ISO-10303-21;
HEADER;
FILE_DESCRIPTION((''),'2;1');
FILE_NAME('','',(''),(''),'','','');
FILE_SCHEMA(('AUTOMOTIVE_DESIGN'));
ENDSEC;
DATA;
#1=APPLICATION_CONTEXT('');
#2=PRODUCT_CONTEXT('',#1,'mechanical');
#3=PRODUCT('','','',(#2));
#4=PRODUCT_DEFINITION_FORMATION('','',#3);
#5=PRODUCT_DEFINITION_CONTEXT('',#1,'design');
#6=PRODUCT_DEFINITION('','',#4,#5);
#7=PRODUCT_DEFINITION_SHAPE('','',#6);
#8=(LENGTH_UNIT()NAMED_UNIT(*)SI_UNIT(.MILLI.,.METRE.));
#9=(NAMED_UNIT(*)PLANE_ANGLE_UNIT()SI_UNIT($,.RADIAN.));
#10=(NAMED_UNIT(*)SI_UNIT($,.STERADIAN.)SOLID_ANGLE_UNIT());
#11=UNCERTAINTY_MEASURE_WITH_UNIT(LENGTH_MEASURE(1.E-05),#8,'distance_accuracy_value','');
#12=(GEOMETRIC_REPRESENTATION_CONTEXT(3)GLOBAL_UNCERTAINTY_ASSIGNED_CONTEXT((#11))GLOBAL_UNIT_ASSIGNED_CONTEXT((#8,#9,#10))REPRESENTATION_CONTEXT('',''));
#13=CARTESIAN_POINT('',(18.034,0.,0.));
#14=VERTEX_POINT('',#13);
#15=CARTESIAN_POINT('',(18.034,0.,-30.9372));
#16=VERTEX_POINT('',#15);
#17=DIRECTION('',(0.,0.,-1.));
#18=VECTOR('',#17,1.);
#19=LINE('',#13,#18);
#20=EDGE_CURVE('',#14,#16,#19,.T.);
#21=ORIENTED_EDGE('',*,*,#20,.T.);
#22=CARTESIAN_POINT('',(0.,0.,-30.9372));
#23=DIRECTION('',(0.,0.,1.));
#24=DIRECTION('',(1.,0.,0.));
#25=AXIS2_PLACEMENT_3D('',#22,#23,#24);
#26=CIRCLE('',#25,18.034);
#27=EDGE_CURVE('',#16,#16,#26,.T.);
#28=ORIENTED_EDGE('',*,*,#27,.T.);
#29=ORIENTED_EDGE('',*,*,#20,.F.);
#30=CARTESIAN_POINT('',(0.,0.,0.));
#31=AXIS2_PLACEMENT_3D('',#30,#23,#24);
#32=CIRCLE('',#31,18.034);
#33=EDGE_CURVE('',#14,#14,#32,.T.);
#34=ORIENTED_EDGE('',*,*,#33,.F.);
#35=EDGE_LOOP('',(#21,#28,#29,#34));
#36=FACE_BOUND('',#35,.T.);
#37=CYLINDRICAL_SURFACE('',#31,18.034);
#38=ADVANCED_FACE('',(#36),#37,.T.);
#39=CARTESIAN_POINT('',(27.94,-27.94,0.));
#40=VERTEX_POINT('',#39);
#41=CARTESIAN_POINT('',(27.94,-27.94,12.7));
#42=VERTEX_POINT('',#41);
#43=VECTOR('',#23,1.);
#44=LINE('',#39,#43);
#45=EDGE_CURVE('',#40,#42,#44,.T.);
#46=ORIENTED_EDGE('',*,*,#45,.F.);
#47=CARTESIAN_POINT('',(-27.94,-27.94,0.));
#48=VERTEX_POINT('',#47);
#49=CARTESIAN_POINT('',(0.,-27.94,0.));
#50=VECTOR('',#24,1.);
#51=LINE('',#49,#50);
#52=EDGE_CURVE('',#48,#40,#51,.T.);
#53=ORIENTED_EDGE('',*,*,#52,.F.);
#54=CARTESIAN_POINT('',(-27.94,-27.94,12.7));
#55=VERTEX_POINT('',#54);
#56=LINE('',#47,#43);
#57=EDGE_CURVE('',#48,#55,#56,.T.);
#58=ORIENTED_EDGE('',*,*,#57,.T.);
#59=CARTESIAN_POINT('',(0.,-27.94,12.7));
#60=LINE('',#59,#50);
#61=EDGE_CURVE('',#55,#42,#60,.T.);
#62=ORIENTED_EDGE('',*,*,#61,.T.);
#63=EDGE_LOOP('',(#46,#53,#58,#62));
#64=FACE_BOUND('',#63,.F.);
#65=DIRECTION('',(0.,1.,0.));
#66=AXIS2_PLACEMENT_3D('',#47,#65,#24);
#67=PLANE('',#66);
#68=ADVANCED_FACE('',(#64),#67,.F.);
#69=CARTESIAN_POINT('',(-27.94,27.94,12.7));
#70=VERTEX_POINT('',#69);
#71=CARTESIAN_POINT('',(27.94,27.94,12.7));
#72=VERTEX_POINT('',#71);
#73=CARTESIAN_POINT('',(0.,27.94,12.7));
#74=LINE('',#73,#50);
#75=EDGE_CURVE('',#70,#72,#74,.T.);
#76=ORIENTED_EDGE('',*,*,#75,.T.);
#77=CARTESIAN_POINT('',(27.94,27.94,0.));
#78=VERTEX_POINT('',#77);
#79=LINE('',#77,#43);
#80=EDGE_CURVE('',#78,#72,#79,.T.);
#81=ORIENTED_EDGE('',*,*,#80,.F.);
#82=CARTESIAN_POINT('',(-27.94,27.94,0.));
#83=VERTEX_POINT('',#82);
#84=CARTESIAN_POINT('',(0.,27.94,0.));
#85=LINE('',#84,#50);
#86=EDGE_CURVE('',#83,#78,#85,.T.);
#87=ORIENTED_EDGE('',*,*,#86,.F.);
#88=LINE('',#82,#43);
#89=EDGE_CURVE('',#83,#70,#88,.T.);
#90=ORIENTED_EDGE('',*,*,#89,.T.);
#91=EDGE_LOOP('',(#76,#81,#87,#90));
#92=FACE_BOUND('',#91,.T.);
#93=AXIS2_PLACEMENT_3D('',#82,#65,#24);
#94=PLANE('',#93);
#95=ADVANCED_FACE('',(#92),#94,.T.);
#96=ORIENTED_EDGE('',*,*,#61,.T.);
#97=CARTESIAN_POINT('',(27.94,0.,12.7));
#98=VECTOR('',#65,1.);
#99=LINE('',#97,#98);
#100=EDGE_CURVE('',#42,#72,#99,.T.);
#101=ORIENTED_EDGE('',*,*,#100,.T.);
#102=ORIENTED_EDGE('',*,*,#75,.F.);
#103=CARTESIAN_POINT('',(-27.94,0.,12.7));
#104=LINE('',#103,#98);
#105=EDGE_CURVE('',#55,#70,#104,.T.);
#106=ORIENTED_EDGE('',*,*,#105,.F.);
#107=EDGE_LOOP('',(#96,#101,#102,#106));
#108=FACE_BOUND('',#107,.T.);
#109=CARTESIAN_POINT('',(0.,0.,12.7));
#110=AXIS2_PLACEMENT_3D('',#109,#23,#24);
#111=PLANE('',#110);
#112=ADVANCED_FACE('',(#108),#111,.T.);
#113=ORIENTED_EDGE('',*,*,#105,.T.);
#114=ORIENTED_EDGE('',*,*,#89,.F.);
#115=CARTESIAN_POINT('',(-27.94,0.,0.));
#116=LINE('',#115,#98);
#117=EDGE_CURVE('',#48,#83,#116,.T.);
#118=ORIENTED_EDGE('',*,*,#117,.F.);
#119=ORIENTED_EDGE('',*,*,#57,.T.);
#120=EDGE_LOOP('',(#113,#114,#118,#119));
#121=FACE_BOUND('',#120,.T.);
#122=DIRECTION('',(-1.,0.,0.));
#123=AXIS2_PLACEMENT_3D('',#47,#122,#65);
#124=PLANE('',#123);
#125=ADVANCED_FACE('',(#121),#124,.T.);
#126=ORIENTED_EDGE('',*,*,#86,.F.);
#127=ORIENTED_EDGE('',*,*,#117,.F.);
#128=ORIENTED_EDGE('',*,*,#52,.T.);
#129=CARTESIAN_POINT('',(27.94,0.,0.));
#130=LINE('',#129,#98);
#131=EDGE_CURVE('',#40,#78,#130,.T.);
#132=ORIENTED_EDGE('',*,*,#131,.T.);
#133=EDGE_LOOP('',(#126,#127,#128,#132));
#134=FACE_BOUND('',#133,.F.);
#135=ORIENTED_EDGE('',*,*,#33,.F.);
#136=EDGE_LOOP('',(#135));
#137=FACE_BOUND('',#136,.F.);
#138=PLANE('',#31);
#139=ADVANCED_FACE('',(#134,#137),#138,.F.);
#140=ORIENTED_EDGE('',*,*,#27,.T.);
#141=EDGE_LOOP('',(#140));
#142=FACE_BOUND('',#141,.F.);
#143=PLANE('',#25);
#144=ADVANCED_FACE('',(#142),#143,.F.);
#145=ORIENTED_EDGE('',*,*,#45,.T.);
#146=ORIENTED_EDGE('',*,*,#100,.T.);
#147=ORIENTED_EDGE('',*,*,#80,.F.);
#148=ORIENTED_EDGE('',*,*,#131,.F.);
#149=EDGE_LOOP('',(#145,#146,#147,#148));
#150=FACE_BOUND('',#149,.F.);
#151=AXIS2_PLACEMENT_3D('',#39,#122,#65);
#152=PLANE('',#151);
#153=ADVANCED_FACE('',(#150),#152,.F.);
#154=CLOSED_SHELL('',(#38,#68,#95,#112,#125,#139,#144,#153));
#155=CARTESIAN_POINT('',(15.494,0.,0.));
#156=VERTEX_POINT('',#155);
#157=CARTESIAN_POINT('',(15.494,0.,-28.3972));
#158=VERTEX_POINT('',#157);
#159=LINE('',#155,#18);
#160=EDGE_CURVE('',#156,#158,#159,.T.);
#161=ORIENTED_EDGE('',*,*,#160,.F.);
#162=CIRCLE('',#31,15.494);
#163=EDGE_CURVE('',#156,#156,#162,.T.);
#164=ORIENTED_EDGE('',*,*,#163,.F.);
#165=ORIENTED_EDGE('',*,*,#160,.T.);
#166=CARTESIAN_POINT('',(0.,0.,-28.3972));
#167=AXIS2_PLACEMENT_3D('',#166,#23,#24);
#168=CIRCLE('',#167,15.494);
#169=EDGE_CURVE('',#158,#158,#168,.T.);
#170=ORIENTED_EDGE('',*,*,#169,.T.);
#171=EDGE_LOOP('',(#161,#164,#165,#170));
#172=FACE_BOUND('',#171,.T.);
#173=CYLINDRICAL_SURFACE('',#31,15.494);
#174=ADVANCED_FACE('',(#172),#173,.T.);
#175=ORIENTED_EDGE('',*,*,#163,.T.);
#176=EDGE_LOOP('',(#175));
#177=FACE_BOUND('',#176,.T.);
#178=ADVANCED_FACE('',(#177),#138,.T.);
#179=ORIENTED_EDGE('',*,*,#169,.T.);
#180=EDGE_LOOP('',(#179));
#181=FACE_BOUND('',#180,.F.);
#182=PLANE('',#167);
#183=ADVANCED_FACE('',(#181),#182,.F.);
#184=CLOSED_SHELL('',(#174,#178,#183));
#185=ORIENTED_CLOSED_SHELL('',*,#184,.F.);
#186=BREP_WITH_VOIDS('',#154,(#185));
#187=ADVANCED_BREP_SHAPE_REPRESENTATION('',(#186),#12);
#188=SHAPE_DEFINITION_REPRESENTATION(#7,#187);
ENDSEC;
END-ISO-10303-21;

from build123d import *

# Parameters (mm, degrees)
F0_R     = 18.034
F1_DEPTH = 30.9372
F2_T     = -2.54
F0_W     = 55.88
F0_H     = 55.88
F3_DEPTH = 12.7


with BuildPart() as f1:
    # F0 (on Top) → F1 (new body)
    with BuildSketch(Plane.XY):
        Circle(F0_R)
    extrude(amount=-F1_DEPTH)

    # F2
    f2_openings = [f1.faces().sort_by_distance(p)[0] for p in [
        (0, 0, 0),
    ]]
    offset(amount=F2_T, openings=f2_openings)

    # F0 (on Top) → F3 (join)
    with BuildSketch(Plane.XY):
        Rectangle(F0_W, F0_H)
        Circle(F0_R, mode=Mode.SUBTRACT)
        Circle(F0_R)
    extrude(amount=F3_DEPTH)


solid = f1.part
